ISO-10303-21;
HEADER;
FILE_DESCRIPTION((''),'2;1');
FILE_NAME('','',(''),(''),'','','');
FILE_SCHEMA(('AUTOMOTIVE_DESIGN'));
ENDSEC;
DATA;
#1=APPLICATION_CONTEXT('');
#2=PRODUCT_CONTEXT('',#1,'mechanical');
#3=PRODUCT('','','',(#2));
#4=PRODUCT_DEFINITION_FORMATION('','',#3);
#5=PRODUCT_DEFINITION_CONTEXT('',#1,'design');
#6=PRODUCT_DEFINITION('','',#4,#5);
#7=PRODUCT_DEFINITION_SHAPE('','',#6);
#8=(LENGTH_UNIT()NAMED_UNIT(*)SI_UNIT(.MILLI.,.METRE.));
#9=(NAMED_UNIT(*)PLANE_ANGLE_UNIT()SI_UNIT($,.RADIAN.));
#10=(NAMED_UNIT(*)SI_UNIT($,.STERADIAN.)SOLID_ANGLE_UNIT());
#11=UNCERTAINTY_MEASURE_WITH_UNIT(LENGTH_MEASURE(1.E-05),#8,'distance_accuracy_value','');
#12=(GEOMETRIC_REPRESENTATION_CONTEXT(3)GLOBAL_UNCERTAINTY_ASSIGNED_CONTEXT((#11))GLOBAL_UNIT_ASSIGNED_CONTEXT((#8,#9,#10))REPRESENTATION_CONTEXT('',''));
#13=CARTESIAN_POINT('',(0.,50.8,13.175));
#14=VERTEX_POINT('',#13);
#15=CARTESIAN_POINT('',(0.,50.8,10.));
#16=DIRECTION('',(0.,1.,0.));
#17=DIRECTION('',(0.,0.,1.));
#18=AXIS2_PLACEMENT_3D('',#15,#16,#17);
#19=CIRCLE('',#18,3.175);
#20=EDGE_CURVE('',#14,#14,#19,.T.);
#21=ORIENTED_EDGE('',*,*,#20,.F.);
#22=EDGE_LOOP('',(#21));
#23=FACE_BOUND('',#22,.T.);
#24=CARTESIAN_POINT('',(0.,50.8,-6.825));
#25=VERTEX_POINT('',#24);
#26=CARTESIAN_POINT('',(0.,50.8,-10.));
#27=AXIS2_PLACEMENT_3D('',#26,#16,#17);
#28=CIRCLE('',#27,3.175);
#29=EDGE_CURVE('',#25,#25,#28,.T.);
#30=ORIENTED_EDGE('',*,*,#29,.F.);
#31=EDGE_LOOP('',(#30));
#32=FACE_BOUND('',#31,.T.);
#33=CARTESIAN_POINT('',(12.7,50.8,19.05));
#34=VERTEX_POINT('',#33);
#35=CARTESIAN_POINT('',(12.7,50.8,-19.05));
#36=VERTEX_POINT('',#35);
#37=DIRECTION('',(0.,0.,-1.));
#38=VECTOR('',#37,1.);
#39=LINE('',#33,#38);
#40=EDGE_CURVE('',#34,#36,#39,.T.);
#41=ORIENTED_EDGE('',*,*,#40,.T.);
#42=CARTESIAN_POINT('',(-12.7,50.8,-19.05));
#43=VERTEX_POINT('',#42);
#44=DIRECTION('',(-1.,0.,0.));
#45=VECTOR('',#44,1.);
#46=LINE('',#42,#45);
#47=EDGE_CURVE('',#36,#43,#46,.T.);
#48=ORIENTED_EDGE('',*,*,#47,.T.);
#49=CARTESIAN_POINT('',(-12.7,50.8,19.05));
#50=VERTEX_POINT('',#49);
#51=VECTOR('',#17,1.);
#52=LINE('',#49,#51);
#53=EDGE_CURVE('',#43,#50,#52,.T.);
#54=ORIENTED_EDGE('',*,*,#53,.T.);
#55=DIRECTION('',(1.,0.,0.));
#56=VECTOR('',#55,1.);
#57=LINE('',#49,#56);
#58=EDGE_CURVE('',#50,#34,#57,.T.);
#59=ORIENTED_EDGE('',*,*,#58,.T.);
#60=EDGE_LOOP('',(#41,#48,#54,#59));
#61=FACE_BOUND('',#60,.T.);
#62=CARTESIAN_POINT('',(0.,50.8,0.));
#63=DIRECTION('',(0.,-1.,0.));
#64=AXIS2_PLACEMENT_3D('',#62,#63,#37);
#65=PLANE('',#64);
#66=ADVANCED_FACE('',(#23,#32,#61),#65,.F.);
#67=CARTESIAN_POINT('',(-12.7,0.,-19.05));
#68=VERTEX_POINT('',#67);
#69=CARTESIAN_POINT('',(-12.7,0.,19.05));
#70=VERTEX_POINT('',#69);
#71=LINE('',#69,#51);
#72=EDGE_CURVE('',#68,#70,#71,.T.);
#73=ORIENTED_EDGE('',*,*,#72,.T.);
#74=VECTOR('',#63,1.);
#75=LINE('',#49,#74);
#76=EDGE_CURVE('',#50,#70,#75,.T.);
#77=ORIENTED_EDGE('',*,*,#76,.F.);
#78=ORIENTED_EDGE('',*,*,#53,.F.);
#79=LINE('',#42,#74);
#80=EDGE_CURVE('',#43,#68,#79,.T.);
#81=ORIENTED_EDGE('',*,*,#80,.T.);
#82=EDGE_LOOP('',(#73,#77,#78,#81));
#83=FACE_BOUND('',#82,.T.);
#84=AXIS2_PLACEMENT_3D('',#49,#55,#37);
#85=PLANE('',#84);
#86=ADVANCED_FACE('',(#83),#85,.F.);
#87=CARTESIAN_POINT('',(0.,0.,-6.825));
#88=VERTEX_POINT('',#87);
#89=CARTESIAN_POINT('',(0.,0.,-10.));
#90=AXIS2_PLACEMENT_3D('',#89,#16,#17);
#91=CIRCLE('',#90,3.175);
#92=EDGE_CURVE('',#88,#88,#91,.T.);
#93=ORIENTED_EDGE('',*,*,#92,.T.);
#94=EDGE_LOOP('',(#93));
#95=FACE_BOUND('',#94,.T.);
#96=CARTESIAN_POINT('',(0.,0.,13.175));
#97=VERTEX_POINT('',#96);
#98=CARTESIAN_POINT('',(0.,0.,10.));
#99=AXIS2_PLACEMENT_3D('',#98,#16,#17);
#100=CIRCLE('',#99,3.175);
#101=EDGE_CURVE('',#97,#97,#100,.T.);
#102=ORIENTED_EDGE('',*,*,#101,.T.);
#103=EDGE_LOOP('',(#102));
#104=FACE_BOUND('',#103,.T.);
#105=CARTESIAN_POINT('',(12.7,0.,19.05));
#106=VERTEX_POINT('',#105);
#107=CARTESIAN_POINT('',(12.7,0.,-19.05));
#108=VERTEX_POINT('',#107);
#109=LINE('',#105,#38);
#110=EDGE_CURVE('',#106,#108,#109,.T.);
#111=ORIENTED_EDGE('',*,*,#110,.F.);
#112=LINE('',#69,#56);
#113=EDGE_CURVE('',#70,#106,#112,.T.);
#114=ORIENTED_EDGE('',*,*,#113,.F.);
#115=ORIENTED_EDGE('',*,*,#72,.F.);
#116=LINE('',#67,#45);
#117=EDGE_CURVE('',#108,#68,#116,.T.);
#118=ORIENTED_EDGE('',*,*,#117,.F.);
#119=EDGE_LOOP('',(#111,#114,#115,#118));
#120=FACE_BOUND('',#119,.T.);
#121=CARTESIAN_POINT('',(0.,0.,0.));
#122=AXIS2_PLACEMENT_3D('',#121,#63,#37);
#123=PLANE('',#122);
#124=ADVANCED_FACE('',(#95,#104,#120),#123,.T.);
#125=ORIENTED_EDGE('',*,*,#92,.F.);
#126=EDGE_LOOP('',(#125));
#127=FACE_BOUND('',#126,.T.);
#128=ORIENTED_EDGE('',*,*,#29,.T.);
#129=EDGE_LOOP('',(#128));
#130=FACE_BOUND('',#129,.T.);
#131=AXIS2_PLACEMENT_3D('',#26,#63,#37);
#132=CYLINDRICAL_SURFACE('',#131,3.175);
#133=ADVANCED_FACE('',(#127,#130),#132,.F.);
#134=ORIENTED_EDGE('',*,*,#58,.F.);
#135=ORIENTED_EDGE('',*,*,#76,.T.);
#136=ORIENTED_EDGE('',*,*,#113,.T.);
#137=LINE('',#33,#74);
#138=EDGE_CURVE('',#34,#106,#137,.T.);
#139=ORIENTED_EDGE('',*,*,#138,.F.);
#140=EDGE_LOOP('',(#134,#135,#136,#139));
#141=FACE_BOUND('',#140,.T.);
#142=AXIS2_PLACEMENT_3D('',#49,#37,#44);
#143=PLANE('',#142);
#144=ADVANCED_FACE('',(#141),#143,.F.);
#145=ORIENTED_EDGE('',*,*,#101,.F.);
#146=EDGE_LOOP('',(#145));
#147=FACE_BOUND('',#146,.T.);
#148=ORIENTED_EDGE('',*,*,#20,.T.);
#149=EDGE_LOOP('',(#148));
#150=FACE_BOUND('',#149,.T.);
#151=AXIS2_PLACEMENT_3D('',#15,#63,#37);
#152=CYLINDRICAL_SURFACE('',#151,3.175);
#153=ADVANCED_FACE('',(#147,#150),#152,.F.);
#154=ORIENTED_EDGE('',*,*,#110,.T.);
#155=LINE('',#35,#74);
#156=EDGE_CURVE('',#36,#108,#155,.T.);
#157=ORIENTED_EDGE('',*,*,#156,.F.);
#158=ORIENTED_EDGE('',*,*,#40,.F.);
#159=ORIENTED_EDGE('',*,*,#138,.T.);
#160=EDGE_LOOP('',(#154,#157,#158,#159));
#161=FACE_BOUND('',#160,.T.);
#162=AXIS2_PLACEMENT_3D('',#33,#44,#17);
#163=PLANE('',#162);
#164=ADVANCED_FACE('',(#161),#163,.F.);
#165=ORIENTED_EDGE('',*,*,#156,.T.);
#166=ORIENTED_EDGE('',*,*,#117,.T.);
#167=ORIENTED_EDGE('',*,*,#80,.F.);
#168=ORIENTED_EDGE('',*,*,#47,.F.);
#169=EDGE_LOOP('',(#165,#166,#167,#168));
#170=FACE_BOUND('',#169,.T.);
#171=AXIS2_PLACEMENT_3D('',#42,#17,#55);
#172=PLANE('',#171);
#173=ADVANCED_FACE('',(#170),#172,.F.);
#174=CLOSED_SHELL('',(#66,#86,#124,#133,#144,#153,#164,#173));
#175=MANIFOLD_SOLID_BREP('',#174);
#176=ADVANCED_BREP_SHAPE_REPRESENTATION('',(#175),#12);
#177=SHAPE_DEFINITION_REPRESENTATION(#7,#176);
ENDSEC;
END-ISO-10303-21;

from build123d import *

# Parameters (mm, degrees)
SKETCH1_W           = 25.4
SKETCH1_H           = 38.1
SKETCH1_R           = 3.175
BOSS_EXTRUDE1_DEPTH = 50.8


with BuildPart() as part:
    # Sketch1 → Boss-Extrude1 (new body)
    with BuildSketch(Plane(origin=(0, 0, 0), x_dir=(1, 0, 0), z_dir=(0, 1, 0))):
        Rectangle(SKETCH1_W, SKETCH1_H)
        with Locations((0, 9.999999939)):
            Circle(SKETCH1_R, mode=Mode.SUBTRACT)
        with Locations((0, -9.999999939)):
            Circle(SKETCH1_R, mode=Mode.SUBTRACT)
    extrude(amount=BOSS_EXTRUDE1_DEPTH)


solid = part.part
